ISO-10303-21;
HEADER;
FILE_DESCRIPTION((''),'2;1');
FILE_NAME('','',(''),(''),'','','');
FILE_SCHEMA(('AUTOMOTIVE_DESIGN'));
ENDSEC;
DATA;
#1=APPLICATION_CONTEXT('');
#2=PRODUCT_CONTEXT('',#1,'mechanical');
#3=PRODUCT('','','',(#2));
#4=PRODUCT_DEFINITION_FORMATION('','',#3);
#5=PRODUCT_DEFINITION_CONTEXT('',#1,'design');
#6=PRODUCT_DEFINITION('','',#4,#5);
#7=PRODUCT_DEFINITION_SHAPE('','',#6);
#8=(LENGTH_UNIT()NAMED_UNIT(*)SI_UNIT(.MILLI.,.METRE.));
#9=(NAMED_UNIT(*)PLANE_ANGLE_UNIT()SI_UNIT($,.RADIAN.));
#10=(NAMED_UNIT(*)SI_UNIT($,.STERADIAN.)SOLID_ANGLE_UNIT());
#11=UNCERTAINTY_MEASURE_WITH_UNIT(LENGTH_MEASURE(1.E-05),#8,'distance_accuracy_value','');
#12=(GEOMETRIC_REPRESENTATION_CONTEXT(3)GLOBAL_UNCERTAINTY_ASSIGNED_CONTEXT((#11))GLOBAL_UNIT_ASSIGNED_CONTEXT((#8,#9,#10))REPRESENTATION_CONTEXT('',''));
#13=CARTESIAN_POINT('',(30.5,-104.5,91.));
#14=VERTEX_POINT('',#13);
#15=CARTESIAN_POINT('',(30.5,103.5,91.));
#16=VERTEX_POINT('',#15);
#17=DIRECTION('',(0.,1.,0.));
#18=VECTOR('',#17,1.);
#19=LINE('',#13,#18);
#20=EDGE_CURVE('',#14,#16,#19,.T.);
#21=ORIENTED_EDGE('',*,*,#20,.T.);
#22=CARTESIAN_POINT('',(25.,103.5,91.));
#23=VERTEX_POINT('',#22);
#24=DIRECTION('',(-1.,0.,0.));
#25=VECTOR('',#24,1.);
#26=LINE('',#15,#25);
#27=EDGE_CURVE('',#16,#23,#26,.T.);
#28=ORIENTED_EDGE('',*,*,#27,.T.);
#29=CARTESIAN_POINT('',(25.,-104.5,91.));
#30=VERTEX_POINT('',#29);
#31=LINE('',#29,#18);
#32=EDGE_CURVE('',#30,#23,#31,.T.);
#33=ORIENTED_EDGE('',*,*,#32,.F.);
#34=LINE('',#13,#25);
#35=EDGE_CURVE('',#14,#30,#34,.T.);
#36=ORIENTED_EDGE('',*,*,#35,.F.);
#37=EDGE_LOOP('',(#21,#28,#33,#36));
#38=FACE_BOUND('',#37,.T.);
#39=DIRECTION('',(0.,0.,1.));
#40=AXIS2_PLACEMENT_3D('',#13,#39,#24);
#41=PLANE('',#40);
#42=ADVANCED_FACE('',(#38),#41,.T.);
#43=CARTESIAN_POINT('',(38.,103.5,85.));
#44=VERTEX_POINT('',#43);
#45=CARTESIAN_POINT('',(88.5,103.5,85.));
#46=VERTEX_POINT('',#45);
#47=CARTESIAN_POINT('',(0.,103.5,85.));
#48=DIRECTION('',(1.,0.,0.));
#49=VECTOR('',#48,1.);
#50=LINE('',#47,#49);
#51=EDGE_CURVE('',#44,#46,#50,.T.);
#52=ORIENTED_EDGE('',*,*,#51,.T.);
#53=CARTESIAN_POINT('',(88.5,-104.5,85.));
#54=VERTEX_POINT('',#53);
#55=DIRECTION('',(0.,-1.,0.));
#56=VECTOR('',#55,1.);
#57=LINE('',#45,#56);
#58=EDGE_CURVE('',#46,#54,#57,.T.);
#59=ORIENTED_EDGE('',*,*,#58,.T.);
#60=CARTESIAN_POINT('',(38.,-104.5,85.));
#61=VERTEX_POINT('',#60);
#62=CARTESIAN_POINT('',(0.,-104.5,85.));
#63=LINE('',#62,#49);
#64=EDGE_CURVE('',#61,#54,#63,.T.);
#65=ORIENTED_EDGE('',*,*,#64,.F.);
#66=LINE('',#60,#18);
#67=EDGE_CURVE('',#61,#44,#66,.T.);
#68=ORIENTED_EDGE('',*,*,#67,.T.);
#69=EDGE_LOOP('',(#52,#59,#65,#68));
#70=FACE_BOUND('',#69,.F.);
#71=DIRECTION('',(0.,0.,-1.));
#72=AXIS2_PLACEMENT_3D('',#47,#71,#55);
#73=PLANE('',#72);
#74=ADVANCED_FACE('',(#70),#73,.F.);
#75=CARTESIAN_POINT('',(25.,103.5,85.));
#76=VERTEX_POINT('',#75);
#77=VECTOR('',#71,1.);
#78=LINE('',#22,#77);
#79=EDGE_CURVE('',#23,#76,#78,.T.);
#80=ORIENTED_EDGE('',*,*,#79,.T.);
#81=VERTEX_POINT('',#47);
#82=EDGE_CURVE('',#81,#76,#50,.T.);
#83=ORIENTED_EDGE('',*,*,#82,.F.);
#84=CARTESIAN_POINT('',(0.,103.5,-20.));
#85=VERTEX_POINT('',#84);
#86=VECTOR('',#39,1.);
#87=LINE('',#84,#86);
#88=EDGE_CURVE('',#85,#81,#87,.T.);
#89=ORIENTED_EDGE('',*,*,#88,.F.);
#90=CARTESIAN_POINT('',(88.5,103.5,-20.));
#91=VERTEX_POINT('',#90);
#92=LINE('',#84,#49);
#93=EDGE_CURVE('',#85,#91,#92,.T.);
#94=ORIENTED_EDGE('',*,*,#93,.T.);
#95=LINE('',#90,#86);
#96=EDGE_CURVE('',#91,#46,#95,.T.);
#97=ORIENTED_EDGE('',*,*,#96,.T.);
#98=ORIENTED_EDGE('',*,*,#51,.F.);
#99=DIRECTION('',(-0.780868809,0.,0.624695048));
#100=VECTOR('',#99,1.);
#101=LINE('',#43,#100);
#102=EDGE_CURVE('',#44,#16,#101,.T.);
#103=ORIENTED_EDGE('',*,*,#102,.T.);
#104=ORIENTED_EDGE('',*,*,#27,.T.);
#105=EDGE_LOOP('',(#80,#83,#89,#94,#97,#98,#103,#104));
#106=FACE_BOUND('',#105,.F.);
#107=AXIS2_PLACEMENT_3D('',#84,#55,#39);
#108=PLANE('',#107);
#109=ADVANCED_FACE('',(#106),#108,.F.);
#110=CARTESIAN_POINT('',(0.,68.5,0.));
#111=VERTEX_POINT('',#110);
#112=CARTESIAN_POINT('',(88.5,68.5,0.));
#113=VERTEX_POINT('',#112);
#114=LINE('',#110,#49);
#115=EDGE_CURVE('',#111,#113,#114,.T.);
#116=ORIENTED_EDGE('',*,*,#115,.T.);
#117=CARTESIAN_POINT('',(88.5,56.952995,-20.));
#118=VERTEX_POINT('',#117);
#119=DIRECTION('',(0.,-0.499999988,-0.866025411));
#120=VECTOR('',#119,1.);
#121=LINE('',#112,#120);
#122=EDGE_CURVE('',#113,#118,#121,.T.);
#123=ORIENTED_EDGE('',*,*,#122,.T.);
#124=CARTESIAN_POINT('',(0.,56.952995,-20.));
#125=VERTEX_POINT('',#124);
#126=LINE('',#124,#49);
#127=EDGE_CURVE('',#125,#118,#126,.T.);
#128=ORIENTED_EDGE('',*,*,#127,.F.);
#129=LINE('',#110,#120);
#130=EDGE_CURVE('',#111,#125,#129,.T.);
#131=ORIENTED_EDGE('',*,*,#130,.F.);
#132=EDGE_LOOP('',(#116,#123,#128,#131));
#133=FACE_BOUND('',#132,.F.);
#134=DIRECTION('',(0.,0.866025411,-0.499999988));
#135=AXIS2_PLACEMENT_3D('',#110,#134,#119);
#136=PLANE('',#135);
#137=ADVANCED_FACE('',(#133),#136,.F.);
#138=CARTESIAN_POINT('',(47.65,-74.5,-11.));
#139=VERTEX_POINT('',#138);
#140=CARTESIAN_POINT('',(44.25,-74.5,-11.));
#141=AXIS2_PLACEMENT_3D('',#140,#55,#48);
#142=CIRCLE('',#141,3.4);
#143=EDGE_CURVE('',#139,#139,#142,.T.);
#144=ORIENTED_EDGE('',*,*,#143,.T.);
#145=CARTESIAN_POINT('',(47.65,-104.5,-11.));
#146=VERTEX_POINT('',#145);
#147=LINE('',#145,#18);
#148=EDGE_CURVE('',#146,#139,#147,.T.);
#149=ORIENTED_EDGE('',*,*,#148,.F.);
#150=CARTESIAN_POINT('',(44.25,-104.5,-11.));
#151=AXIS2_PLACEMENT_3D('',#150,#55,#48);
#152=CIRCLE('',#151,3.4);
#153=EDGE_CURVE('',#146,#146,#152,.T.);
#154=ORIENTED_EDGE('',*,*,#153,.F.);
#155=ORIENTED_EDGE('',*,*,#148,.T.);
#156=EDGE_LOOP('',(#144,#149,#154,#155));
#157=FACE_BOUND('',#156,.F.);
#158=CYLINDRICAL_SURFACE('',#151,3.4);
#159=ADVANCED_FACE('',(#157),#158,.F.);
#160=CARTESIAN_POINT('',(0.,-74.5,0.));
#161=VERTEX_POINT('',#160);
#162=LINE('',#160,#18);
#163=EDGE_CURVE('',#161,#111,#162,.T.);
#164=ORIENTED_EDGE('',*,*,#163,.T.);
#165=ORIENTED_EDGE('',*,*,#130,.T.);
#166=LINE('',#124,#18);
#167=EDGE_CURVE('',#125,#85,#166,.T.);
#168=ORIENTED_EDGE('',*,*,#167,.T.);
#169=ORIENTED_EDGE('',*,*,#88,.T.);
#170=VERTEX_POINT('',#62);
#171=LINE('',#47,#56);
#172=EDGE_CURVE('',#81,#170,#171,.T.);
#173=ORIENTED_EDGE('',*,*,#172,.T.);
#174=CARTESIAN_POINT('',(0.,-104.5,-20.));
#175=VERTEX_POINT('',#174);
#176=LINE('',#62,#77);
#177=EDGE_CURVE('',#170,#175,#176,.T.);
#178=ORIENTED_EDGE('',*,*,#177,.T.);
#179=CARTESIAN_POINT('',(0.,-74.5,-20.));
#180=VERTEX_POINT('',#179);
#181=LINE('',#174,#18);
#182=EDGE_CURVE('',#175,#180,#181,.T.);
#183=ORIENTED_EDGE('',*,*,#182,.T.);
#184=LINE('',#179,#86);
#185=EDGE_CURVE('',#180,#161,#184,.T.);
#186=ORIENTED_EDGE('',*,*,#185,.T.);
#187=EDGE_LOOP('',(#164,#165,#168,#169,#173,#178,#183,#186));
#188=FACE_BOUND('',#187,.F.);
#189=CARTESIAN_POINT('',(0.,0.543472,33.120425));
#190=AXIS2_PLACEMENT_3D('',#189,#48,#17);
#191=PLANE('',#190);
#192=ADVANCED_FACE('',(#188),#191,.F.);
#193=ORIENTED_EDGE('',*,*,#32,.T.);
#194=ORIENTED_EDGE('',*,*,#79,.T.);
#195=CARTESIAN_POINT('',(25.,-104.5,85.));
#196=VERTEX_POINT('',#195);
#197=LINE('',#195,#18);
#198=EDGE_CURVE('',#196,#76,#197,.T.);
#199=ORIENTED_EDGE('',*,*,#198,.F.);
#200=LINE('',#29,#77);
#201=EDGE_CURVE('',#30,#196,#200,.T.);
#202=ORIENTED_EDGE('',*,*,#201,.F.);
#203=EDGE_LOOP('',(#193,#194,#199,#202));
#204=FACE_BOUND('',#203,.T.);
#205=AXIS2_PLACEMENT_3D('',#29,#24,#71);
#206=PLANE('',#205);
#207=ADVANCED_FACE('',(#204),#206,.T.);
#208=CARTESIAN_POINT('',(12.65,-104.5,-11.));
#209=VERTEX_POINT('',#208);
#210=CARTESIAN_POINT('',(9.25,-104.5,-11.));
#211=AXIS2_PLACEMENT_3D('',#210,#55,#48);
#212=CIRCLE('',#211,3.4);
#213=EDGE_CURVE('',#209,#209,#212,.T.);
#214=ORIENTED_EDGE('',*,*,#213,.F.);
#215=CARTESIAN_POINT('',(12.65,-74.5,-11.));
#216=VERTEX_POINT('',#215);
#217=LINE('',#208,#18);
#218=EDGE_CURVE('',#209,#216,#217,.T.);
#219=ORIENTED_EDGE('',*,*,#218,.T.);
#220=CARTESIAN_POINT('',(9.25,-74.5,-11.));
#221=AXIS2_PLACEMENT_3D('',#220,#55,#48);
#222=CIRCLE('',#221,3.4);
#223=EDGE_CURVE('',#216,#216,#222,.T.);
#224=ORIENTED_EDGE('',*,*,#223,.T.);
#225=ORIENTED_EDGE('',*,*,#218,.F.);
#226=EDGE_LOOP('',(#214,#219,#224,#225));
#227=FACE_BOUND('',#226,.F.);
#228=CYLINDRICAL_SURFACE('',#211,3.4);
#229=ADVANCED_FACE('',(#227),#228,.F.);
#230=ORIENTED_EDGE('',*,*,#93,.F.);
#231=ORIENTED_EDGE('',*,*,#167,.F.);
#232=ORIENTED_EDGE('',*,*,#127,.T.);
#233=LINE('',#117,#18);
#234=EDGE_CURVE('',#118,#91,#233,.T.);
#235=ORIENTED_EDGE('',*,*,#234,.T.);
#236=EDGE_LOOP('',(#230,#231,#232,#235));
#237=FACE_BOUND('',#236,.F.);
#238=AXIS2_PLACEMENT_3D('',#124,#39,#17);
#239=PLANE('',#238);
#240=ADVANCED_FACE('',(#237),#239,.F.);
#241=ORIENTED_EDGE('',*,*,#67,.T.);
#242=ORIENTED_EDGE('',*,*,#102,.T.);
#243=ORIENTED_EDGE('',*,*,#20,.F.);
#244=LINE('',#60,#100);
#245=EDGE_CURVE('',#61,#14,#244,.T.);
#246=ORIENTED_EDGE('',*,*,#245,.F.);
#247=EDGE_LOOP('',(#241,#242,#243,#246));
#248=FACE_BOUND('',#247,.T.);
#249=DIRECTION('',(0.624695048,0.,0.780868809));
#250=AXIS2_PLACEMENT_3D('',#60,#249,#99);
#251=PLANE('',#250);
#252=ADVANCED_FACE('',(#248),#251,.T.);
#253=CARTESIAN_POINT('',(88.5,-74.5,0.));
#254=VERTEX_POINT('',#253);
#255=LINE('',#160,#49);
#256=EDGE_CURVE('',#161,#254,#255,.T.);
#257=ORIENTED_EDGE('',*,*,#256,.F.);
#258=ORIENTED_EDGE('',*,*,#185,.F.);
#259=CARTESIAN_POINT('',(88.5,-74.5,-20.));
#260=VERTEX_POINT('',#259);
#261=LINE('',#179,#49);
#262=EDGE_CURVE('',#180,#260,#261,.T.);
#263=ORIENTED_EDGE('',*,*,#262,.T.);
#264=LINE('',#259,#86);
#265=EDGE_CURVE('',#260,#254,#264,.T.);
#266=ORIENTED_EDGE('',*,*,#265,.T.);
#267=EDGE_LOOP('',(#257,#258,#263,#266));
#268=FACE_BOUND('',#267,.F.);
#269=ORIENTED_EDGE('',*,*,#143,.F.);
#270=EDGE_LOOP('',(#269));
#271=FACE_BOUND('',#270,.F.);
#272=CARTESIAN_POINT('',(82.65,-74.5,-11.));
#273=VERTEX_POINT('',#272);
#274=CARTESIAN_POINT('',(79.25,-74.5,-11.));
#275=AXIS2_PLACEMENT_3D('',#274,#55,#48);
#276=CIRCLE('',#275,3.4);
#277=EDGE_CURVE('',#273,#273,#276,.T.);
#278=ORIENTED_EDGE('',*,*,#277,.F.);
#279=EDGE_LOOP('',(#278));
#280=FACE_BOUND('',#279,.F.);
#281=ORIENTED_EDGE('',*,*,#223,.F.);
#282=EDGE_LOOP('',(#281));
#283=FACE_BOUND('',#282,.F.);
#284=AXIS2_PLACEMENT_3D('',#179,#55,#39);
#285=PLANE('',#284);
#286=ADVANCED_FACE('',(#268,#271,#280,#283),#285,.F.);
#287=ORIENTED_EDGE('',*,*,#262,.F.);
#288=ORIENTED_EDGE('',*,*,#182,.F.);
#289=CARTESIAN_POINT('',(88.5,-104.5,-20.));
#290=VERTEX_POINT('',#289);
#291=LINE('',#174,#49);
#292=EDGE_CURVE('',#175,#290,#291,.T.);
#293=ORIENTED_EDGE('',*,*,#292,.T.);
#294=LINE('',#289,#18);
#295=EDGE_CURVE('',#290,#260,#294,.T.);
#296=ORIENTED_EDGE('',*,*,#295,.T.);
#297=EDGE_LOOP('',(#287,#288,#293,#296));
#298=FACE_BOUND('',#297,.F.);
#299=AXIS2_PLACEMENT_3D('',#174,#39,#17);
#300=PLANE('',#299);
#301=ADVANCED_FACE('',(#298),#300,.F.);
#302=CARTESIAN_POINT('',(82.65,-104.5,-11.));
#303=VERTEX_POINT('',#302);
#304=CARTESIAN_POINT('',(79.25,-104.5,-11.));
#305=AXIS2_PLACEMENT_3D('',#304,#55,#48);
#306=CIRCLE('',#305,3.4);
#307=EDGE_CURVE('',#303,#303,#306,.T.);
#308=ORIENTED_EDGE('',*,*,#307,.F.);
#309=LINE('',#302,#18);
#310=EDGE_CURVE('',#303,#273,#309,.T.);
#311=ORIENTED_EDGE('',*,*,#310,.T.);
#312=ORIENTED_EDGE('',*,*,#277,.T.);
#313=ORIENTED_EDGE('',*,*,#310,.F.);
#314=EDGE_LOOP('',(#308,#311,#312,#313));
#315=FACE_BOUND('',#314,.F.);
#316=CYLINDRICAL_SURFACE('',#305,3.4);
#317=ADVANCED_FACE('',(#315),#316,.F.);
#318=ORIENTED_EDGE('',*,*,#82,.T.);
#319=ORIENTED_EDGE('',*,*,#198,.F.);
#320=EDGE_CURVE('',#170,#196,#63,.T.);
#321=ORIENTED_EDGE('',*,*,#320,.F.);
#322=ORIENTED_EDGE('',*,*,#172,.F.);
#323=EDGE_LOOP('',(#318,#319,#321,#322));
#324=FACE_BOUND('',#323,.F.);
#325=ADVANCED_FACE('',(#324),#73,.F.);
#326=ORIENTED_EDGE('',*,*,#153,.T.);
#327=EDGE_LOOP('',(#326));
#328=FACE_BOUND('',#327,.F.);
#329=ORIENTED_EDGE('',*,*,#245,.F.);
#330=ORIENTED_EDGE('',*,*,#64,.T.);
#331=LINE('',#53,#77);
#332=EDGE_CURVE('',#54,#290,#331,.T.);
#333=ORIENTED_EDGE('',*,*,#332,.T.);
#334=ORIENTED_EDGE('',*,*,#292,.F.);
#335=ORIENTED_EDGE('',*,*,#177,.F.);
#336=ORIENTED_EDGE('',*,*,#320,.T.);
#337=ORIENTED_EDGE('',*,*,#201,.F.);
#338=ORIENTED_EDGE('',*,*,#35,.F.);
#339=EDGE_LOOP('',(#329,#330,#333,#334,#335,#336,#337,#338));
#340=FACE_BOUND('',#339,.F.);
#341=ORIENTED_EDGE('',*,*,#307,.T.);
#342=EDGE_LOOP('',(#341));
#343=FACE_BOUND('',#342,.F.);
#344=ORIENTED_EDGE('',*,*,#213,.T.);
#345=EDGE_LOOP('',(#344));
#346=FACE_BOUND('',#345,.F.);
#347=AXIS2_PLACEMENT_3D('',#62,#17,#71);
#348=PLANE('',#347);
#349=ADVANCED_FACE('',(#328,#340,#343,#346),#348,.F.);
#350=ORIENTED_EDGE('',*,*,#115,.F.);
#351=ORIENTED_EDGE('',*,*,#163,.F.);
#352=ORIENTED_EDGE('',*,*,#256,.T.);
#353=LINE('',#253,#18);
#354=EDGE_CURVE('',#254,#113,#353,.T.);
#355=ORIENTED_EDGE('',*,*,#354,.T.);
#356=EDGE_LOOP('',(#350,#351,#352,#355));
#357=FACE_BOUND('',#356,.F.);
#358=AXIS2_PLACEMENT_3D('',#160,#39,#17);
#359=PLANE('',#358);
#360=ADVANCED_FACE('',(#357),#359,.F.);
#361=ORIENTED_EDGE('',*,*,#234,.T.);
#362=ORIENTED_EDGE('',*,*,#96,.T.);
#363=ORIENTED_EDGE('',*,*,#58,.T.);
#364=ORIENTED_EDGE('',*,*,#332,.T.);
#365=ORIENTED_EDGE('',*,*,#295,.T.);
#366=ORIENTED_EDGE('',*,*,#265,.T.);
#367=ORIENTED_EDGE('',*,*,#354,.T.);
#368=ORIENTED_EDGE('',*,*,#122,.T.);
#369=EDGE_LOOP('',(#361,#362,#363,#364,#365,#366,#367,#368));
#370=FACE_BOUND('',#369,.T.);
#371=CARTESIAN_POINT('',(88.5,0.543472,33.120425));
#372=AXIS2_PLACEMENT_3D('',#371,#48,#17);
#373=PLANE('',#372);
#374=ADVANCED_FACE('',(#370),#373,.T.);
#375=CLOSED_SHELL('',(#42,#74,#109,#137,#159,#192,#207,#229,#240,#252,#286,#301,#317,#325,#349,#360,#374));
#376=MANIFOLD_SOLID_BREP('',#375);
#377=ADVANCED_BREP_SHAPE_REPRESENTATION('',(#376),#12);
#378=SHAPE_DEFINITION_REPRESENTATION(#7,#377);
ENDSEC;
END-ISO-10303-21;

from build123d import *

# Parameters (mm, degrees)
F1_DEPTH = 88.5
F2_R     = 3.4
F3_DEPTH = 30
F5_DEPTH = 208


with BuildPart() as f1:
    # F0 (on Right) → F1 (new body)
    with BuildSketch(Plane.YZ):
        Polygon((-74.5, 0), (68.5, 0), (56.952995, -20), (103.5, -20), (103.5, 85), (-104.5, 85), (-104.5, -20), (-74.5, -20), align=None)
    extrude(amount=F1_DEPTH)

    # F2 (on face) → F3 (cut, through all)
    with BuildSketch(Plane.XZ.offset(104.5)):
        with Locations((9.25, -11)):
            Circle(F2_R)
        with Locations((44.25, -11)):
            Circle(F2_R)
        with Locations((79.25, -11)):
            Circle(F2_R)
    extrude(amount=-F3_DEPTH, mode=Mode.SUBTRACT)

    # F4 (on face) → F5 (join, through all)
    with BuildSketch(Plane.XZ.offset(104.5)):
        Polygon((25, 91), (25, 85), (38, 85), (30.5, 91), align=None)
    extrude(amount=-F5_DEPTH)


solid = f1.part
